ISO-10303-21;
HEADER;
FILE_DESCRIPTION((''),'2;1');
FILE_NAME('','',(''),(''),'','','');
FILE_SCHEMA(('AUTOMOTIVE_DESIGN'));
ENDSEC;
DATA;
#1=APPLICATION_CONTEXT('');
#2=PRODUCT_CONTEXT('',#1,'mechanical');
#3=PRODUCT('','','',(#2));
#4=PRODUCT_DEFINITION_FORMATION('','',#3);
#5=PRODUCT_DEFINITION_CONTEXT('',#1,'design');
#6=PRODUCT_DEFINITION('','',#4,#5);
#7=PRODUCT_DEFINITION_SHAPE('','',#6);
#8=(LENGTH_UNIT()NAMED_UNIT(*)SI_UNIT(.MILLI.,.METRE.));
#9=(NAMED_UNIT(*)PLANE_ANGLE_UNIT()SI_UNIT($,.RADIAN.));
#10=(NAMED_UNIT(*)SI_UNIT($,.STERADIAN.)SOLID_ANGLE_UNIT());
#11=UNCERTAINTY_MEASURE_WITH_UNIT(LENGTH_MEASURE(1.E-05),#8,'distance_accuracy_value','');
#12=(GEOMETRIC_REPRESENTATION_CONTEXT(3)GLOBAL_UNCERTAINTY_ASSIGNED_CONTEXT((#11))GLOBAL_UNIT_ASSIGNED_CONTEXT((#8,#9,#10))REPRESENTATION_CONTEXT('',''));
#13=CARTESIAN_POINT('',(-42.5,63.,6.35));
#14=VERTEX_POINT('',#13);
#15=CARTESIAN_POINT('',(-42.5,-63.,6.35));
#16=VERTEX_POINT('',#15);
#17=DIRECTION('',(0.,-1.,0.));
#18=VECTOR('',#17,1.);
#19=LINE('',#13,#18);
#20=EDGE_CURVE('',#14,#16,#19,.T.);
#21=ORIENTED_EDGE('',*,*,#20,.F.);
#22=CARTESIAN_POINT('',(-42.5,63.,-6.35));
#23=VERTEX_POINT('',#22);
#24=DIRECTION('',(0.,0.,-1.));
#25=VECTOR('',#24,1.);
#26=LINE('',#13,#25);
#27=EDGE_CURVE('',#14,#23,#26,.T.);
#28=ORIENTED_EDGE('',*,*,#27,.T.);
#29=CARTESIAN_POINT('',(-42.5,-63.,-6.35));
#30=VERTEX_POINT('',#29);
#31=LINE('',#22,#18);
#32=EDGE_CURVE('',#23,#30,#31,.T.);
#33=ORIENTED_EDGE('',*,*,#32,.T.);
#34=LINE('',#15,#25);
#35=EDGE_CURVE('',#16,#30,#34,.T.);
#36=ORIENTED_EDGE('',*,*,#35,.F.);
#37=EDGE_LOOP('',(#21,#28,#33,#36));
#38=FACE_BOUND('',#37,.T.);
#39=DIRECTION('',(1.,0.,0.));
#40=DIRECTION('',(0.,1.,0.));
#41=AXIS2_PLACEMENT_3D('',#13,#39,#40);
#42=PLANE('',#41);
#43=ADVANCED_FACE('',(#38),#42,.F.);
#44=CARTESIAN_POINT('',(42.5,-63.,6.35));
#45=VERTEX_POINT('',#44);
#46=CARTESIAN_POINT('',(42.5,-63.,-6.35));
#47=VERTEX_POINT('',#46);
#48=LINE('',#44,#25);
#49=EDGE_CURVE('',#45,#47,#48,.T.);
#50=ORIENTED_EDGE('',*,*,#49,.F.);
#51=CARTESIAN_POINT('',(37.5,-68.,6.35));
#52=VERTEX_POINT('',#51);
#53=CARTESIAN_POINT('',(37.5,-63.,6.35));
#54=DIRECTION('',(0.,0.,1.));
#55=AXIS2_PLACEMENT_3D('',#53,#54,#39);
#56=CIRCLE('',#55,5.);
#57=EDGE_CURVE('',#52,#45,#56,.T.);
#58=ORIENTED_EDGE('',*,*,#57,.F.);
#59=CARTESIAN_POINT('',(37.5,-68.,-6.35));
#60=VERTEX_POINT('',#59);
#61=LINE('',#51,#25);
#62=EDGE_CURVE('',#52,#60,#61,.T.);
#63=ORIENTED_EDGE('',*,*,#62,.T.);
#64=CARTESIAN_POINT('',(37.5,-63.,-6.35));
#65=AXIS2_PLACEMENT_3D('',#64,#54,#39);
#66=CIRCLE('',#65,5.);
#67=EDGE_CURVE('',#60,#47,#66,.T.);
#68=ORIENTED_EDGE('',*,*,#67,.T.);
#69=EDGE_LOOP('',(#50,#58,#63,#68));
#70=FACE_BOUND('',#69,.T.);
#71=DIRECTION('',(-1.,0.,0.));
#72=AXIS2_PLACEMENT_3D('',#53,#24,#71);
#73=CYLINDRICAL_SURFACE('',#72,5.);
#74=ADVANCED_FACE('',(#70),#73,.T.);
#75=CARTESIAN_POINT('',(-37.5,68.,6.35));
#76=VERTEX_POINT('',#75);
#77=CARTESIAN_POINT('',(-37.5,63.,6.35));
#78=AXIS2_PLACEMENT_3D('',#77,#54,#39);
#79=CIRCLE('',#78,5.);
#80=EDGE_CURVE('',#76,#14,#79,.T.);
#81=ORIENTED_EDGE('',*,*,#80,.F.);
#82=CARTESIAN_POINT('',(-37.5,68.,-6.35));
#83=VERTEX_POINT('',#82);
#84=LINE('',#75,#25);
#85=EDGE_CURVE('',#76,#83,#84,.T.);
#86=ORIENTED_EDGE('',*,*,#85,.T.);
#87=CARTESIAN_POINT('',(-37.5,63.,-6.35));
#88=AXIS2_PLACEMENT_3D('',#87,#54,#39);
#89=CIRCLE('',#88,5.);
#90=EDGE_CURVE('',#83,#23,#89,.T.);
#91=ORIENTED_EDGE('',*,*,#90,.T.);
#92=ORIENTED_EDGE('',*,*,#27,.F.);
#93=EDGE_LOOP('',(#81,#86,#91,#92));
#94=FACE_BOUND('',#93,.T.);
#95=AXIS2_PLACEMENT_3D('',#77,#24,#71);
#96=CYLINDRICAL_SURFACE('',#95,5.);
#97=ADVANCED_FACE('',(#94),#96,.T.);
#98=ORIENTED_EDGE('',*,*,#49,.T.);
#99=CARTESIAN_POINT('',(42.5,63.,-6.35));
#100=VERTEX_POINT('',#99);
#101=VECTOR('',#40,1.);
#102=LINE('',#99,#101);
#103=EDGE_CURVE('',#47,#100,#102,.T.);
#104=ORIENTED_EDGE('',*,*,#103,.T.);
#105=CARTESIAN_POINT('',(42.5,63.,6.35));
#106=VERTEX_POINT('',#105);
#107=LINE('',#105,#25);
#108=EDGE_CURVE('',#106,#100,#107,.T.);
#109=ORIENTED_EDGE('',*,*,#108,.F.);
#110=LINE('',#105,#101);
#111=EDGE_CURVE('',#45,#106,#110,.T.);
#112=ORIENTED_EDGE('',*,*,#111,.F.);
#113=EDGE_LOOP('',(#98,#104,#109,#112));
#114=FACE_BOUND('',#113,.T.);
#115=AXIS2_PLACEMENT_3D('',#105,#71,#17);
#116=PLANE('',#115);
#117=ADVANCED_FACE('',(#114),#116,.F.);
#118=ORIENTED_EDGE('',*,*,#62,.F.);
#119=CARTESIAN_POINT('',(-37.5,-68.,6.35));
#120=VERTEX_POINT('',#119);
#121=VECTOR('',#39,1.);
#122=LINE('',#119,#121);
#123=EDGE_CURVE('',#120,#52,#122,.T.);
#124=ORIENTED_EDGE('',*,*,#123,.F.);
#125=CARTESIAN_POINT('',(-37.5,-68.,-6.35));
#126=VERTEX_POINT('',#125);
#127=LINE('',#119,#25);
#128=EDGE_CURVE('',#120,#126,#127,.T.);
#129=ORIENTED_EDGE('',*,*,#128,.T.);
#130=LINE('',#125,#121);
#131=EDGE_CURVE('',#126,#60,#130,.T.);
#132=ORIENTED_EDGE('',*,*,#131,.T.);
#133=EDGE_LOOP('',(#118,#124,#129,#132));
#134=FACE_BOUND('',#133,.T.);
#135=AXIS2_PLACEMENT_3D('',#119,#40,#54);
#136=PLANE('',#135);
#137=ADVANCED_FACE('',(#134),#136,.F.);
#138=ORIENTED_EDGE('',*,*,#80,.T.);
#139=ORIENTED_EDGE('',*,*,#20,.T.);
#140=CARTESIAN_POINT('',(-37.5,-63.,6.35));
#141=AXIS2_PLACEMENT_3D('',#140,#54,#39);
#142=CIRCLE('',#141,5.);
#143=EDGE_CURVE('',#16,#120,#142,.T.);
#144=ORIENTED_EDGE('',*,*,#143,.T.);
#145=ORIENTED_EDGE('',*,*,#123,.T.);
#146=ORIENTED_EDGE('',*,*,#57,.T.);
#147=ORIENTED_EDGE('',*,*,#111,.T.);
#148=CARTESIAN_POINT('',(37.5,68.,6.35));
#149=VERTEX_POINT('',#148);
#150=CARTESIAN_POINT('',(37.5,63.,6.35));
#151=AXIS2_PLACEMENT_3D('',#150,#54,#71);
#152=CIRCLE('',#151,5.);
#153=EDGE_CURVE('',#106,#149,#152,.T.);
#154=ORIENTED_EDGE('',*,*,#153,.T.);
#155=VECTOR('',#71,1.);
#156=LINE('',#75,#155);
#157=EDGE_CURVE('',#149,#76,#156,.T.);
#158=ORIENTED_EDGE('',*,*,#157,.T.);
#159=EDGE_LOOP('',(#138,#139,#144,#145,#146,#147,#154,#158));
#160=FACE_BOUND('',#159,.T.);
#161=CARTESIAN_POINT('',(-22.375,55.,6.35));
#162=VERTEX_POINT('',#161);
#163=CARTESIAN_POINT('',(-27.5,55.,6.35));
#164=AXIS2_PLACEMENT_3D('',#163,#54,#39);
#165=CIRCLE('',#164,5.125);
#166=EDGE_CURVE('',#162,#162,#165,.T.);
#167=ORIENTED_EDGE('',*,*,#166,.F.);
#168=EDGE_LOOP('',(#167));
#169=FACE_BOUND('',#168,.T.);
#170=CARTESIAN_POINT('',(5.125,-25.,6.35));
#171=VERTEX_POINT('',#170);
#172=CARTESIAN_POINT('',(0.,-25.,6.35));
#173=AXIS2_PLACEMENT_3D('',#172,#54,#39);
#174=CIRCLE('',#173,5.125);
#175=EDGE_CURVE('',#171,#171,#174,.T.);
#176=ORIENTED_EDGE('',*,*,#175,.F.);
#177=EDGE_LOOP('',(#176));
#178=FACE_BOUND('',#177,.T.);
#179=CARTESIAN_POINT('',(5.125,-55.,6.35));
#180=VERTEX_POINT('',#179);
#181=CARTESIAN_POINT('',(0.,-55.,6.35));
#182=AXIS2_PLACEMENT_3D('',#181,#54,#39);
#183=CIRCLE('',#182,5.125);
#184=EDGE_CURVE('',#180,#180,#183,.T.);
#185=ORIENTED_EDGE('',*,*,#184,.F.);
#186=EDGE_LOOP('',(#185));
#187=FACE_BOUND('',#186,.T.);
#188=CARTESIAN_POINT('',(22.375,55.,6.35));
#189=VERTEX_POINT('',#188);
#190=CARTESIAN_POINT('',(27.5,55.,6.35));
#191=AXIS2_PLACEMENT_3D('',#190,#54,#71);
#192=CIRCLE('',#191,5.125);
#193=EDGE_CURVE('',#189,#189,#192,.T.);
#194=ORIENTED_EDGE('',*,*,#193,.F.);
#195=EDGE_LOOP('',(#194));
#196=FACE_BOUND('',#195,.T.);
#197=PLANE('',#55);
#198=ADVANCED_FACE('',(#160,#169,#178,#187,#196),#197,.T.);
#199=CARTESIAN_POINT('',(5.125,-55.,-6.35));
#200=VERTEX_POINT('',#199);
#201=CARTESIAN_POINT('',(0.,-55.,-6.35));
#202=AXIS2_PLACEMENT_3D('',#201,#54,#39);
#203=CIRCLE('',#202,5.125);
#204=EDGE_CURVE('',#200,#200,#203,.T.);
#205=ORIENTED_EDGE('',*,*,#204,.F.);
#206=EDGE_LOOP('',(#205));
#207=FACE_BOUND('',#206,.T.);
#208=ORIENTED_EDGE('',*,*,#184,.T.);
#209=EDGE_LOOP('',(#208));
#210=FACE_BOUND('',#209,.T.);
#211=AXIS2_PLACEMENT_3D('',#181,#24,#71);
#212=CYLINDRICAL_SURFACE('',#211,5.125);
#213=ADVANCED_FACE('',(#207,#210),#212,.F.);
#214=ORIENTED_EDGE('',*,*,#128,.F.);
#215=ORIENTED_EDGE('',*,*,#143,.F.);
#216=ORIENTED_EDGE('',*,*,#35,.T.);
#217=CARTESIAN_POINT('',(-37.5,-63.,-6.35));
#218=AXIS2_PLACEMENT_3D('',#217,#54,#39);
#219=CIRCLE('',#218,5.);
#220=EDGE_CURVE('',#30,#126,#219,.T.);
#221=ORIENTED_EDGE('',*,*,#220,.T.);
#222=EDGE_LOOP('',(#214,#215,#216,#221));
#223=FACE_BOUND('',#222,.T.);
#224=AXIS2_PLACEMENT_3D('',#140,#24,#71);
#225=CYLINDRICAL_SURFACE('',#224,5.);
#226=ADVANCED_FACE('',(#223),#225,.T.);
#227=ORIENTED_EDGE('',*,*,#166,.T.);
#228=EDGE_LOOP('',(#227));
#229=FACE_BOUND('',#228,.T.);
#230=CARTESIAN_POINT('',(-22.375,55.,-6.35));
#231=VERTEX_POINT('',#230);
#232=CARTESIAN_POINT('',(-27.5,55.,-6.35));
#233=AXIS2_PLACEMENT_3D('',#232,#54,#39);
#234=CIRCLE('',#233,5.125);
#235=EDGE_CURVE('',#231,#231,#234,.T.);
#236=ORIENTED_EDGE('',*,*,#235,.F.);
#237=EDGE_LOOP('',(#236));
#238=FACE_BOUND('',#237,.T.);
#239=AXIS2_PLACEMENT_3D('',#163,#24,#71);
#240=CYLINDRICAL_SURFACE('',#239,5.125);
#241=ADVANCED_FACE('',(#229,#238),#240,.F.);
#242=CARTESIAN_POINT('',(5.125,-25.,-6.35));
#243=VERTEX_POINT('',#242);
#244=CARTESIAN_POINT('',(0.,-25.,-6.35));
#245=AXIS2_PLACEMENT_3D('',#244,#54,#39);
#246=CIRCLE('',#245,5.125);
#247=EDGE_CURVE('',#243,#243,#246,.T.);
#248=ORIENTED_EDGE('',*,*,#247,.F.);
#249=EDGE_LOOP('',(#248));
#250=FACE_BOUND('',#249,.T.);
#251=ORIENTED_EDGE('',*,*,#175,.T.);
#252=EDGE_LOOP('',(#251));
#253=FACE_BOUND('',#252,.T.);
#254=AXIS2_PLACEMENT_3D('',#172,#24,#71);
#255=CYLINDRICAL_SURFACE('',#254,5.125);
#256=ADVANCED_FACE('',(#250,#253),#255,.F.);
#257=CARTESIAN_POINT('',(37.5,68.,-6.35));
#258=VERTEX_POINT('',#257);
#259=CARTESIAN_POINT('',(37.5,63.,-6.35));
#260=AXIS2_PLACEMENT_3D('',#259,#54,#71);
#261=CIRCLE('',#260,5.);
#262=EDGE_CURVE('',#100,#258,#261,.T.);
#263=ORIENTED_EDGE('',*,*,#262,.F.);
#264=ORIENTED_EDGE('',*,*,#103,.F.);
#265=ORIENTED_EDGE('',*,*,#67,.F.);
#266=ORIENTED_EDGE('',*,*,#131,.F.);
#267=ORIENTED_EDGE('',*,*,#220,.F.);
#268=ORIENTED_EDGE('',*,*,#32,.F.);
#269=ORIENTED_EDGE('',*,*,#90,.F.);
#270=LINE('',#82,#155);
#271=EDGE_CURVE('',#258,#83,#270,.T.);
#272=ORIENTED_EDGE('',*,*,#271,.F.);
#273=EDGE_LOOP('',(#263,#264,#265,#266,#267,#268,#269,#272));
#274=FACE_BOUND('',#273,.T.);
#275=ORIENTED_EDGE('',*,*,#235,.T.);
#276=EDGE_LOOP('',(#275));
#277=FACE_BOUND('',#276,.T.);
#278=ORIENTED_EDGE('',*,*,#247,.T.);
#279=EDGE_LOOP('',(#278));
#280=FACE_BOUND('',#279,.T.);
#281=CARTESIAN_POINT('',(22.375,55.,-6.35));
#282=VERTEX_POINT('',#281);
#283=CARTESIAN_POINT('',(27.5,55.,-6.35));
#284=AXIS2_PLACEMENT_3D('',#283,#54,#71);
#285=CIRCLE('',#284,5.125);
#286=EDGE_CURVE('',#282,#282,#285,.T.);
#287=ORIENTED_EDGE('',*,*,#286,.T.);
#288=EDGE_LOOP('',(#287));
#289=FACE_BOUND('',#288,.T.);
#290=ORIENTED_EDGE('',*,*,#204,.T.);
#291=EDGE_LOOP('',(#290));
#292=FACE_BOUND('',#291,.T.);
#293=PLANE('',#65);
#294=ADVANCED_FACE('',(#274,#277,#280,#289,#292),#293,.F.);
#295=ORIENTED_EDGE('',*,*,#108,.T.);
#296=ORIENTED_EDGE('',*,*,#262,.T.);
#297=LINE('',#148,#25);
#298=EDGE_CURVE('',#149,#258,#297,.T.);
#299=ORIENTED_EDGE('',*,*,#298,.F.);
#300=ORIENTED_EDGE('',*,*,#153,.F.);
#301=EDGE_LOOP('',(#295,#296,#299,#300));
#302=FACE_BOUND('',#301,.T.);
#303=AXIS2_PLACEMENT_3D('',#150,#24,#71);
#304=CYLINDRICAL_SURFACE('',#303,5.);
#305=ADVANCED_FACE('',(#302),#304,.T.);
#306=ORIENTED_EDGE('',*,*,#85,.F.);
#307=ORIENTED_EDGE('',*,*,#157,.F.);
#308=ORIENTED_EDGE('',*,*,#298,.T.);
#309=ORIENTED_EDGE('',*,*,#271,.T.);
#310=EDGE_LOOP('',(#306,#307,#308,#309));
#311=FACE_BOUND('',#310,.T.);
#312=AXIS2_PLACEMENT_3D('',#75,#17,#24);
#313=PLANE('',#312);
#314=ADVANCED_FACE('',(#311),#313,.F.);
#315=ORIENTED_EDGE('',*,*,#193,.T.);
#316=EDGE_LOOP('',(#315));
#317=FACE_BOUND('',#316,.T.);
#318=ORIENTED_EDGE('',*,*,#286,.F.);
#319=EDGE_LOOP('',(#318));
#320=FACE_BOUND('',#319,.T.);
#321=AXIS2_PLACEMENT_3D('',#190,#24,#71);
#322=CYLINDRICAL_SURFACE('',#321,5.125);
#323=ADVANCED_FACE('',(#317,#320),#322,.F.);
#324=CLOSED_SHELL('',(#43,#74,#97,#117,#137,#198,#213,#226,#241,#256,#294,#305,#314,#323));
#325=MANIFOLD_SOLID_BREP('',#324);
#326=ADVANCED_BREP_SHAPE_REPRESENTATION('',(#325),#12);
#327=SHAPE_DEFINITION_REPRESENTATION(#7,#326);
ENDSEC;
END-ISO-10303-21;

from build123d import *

# Parameters (mm, degrees)
CROQUIS1_R              = 5.125
SALIENTE_EXTRUIR1_DEPTH = 6.35


with BuildPart() as part:
    # Croquis1 → Saliente-Extruir1 (new, symmetric)
    with BuildSketch(Plane.XY):
        with BuildLine():
            Line((-37.5, 68), (37.5, 68))
            ThreePointArc((37.5, 68), (41.035533906, 66.535533906), (42.5, 63))
            Line((42.5, 63), (42.5, -63))
            ThreePointArc((42.5, -63), (41.035533906, -66.535533906), (37.5, -68))
            Line((37.5, -68), (-37.5, -68))
            ThreePointArc((-37.5, -68), (-41.035533906, -66.535533906), (-42.5, -63))
            Line((-42.5, -63), (-42.5, 63))
            ThreePointArc((-42.5, 63), (-41.035533906, 66.535533906), (-37.5, 68))
        make_face()
        with Locations((-27.5, 55)):
            Circle(CROQUIS1_R, mode=Mode.SUBTRACT)
        with Locations(Location((27.5, 55, 0), (0, 0, 180))):
            Circle(CROQUIS1_R, mode=Mode.SUBTRACT)
        with Locations((0, -55)):
            Circle(CROQUIS1_R, mode=Mode.SUBTRACT)
        with Locations((0, -25)):
            Circle(CROQUIS1_R, mode=Mode.SUBTRACT)
    extrude(amount=SALIENTE_EXTRUIR1_DEPTH, both=True)


solid = part.part
